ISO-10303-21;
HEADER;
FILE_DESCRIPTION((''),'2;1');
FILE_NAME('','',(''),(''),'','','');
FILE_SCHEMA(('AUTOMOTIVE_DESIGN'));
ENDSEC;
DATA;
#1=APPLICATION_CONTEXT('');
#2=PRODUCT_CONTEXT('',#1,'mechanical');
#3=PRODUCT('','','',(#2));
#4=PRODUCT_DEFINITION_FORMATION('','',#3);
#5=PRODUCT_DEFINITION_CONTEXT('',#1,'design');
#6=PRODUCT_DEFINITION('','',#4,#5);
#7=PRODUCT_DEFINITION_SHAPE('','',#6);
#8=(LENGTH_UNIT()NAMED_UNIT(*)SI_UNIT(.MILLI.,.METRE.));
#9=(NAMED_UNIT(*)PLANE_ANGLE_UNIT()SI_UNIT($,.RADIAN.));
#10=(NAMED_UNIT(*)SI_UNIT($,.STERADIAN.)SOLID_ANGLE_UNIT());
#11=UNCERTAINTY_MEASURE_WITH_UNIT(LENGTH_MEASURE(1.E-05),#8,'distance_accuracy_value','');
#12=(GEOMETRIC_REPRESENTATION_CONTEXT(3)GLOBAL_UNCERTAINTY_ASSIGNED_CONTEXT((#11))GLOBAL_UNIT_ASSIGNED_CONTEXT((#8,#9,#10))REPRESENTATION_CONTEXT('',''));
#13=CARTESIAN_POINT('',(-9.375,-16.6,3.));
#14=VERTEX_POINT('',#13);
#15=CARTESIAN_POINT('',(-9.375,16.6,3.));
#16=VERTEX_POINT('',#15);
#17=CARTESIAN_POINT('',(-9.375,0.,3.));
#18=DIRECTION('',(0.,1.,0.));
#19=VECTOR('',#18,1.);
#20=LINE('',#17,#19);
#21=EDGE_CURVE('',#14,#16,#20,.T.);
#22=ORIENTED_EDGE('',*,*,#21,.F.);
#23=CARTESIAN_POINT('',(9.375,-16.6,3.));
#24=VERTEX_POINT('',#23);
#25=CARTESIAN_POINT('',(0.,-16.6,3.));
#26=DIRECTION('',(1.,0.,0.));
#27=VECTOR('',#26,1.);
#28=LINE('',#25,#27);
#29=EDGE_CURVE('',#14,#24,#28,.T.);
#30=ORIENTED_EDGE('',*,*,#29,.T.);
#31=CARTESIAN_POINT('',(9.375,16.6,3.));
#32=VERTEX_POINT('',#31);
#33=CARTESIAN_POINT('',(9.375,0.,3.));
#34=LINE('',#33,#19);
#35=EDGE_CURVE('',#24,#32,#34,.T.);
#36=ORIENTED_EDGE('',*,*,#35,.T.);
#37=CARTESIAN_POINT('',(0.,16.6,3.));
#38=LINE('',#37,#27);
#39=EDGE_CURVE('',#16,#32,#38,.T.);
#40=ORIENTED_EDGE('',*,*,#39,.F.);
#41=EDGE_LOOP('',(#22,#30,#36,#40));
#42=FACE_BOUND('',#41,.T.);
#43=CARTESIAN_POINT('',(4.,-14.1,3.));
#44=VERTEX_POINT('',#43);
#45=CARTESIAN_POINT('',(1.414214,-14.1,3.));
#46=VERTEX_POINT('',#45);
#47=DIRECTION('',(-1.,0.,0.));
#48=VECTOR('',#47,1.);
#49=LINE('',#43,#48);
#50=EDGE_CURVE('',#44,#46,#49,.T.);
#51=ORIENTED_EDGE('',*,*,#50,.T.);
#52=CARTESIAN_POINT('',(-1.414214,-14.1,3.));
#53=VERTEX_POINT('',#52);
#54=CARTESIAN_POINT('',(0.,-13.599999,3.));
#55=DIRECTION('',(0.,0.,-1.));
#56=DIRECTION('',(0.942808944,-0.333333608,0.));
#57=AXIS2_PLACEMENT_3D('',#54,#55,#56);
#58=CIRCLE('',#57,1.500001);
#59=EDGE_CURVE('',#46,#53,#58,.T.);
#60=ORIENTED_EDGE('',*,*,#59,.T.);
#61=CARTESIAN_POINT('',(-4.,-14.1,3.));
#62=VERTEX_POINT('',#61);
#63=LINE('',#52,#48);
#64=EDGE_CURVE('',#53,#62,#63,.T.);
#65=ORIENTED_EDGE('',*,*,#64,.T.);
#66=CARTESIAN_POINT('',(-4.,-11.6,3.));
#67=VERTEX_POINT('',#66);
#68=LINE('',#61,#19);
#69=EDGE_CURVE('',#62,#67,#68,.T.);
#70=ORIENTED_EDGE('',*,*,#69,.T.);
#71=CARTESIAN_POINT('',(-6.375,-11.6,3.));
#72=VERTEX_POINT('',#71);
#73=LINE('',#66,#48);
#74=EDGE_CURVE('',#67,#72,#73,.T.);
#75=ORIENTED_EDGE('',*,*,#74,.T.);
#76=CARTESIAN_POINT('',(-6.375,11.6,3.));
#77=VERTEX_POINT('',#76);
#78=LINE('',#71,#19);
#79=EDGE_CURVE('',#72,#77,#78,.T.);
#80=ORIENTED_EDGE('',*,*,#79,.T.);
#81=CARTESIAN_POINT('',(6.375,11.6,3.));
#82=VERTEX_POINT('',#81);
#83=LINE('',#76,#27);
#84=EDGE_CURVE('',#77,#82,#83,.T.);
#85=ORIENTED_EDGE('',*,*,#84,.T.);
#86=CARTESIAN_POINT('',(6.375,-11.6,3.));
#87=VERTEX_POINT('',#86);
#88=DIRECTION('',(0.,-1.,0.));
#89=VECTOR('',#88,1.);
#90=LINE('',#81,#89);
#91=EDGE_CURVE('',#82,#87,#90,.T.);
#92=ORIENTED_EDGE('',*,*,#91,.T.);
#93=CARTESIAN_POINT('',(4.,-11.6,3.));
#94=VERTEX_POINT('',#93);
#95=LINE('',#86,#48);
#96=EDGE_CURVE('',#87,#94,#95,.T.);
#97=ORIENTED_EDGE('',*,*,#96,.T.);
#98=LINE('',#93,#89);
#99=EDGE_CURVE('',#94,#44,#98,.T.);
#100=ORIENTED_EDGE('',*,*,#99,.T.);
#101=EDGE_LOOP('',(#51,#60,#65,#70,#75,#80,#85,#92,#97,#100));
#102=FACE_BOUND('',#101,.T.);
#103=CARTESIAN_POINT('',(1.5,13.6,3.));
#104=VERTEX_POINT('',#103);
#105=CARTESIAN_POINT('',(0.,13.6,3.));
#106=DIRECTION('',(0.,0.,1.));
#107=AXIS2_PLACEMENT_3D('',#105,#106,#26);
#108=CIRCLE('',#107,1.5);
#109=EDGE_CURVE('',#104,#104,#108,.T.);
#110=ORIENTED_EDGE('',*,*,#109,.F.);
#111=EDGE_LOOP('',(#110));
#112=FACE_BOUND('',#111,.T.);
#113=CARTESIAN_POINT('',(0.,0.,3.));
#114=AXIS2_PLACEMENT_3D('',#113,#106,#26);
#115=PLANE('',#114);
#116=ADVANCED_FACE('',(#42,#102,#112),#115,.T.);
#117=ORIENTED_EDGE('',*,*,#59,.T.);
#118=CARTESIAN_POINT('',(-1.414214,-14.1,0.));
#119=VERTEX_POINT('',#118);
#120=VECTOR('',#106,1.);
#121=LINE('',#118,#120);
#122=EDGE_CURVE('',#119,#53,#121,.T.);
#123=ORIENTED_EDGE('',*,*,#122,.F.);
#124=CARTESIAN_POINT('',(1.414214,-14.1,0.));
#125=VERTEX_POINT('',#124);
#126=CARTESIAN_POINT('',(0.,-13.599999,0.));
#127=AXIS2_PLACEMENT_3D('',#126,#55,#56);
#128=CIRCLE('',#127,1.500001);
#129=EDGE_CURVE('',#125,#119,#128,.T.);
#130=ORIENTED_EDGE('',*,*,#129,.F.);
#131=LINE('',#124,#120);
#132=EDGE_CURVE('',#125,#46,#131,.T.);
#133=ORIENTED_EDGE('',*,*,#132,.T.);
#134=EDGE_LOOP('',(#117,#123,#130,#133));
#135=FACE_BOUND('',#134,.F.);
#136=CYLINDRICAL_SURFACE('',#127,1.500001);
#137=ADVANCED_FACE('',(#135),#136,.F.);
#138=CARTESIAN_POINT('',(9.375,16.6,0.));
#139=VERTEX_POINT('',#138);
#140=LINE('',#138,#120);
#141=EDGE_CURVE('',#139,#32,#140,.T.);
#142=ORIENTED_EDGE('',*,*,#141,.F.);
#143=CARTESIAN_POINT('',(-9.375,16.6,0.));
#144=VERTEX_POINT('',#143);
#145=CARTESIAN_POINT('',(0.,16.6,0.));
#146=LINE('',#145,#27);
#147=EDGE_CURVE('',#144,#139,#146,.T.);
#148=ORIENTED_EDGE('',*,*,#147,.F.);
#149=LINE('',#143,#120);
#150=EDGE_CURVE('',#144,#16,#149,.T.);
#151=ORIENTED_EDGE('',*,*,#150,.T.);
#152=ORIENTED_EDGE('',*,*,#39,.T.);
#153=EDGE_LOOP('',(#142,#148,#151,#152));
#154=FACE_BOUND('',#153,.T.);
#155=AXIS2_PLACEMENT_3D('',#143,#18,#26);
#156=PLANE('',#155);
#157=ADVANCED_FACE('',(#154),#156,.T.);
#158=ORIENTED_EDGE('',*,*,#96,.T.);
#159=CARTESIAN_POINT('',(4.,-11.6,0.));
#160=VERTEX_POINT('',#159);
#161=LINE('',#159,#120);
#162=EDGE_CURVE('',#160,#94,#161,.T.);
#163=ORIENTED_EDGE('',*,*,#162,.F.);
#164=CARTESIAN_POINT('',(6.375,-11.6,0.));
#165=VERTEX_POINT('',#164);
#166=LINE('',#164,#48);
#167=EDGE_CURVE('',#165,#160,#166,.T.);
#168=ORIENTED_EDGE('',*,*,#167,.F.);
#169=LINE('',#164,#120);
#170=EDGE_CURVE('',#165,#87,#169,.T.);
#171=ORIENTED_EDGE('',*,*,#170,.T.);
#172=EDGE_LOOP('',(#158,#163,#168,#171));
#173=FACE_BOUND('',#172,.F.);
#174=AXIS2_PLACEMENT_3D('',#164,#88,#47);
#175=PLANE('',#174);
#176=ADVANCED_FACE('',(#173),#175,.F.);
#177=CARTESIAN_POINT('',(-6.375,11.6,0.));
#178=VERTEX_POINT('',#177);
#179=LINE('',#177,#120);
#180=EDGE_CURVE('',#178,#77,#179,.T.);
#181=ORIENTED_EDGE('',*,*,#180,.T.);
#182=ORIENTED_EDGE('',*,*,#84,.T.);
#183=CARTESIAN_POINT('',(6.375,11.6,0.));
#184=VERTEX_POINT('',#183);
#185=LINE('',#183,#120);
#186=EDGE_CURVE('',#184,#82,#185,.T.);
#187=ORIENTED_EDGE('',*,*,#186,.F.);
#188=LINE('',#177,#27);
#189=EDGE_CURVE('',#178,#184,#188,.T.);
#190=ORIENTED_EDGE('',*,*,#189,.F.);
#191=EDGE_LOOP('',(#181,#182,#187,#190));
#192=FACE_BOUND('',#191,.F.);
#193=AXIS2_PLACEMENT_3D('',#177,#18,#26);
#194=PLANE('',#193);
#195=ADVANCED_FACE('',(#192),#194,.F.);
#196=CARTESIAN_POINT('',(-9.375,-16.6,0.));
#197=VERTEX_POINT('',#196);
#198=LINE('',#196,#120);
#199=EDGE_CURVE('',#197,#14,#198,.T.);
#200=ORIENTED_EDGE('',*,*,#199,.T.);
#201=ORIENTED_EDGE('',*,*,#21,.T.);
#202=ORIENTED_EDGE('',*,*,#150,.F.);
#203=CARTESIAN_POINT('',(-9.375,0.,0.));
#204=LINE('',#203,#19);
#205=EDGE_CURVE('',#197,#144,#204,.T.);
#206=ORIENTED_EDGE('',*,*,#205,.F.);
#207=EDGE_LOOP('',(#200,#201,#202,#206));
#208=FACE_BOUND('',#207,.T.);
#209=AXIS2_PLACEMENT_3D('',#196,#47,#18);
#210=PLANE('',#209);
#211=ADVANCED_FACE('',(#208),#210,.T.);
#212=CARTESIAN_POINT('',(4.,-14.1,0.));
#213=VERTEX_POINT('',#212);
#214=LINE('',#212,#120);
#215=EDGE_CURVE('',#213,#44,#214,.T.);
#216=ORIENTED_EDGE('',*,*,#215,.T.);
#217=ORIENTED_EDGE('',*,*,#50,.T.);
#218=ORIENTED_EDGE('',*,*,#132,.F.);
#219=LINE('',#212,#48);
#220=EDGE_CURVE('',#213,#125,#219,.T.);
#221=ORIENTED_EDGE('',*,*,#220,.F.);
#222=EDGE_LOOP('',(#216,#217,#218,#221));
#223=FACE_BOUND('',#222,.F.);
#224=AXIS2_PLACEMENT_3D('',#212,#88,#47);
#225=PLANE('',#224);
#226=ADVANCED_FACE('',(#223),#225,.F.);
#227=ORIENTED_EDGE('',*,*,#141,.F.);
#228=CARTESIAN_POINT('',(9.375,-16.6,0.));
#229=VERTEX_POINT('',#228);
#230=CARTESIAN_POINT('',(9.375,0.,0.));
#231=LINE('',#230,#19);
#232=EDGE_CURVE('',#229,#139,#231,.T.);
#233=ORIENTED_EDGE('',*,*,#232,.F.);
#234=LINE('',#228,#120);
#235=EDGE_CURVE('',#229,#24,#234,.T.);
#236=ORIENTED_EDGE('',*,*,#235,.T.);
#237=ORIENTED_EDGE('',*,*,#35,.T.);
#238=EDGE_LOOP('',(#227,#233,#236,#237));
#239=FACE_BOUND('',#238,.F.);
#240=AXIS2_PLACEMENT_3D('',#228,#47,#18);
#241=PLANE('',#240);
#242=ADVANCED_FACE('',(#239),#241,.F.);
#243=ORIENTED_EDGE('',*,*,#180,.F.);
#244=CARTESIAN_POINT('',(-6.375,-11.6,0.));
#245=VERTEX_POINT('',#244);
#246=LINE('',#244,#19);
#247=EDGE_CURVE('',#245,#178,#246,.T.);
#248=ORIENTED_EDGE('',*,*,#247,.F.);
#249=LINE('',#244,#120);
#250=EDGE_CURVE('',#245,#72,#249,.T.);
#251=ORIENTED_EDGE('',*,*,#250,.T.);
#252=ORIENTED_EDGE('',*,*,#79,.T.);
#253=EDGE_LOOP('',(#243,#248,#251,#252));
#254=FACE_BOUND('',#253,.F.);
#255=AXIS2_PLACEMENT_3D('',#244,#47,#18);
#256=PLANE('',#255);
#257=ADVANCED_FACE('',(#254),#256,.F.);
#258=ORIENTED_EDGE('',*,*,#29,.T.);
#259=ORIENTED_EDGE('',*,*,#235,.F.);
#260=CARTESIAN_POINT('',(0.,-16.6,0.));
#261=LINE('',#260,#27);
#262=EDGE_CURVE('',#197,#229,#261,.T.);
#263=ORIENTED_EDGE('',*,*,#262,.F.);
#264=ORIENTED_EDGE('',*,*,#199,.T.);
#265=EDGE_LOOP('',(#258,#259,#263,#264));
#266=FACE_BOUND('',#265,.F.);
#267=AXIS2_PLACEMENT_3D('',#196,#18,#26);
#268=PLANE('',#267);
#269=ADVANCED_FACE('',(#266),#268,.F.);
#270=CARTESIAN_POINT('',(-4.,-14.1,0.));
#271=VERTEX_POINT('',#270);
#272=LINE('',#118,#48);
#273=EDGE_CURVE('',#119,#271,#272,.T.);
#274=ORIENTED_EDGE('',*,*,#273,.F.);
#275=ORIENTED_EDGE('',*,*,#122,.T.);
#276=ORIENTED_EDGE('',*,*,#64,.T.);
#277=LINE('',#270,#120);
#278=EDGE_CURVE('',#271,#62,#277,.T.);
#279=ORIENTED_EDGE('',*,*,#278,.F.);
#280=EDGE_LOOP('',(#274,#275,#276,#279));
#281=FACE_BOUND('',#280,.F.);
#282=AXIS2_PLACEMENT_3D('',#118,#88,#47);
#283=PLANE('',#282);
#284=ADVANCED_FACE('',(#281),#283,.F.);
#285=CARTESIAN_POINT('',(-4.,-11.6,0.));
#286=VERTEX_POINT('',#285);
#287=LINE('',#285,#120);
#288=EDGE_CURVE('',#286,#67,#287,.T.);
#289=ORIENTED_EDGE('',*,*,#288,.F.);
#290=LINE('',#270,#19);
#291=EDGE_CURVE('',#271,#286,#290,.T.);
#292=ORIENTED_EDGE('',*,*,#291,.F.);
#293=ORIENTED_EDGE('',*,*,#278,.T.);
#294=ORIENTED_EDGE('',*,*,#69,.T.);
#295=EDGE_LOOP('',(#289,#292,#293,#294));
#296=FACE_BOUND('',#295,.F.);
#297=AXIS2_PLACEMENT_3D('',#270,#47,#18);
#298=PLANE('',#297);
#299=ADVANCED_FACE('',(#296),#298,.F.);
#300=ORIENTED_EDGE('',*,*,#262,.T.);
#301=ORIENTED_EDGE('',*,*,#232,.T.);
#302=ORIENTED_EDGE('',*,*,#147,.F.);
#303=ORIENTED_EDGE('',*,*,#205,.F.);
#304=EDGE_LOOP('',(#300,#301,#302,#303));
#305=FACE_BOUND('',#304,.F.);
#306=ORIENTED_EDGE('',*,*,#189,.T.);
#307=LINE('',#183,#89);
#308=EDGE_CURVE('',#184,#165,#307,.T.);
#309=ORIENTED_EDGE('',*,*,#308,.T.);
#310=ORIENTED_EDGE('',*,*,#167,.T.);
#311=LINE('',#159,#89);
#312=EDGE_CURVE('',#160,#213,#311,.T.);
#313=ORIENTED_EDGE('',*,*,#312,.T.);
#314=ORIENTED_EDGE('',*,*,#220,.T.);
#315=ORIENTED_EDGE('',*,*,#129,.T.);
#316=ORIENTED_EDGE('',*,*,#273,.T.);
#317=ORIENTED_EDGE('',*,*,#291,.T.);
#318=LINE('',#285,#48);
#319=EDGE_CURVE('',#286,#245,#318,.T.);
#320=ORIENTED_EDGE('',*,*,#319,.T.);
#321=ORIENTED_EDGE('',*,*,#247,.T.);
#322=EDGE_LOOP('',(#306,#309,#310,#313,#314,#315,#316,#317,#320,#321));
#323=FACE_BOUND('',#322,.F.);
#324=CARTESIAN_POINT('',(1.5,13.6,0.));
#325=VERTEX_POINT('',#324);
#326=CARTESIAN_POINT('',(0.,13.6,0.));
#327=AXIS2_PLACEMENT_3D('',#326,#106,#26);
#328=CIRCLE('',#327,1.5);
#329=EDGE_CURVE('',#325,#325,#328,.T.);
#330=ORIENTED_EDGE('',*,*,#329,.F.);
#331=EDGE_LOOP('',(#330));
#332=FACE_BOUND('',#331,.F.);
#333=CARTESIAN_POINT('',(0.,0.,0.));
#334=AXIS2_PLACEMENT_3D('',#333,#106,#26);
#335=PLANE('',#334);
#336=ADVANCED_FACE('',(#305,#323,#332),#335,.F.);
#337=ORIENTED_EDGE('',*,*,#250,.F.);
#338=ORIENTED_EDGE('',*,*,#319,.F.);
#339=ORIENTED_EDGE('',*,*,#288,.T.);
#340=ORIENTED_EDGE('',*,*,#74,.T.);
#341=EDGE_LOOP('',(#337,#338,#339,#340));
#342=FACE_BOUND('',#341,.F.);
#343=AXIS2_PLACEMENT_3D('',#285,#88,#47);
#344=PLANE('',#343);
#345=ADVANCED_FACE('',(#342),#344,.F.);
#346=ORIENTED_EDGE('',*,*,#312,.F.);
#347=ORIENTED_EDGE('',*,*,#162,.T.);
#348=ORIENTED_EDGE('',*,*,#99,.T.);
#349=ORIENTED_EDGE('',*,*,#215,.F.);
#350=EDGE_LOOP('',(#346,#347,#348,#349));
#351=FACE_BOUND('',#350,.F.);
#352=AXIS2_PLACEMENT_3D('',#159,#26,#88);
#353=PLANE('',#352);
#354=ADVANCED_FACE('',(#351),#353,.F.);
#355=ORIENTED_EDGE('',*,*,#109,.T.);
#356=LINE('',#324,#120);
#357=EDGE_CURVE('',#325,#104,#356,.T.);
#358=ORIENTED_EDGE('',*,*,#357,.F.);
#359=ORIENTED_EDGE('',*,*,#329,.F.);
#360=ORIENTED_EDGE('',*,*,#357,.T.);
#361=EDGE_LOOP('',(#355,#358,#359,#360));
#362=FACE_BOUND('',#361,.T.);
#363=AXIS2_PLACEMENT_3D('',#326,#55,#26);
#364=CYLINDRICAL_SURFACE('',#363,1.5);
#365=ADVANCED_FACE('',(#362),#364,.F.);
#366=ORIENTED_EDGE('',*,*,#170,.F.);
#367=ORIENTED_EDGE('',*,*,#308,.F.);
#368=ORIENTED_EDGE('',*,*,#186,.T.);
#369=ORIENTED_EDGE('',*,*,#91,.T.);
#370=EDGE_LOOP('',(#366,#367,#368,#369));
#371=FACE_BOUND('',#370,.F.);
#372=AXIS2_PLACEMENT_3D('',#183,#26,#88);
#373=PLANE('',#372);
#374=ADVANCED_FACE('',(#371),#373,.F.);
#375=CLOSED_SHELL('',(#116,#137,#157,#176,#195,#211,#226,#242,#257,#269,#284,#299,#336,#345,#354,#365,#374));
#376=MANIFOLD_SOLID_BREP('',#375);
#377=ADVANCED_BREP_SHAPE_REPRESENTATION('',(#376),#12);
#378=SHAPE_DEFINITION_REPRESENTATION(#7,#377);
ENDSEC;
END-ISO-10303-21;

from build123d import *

# Parameters (mm, degrees)
F0_W     = 18.75
F0_H     = 33.2
F0_R     = 1.5
F1_DEPTH = 3


with BuildPart() as f1:
    # F0 (on Top) → F1 (new body)
    with BuildSketch(Plane.XY):
        Rectangle(F0_W, F0_H)
        with BuildLine():
            Line((-6.375, -11.6), (-6.375, 11.6))
            Line((-6.375, 11.6), (6.375, 11.6))
            Line((6.375, 11.6), (6.375, -11.6))
            Line((6.375, -11.6), (4, -11.6))
            Line((4, -11.6), (4, -14.1))
            Line((4, -14.1), (1.414214, -14.1))
            ThreePointArc((1.414214, -14.1), (0, -15.1), (-1.414214, -14.1))
            Line((-1.414214, -14.1), (-4, -14.1))
            Line((-4, -14.1), (-4, -11.6))
            Line((-4, -11.6), (-6.375, -11.6))
        make_face(mode=Mode.SUBTRACT)
        with Locations((0, 13.6)):
            Circle(F0_R, mode=Mode.SUBTRACT)
    extrude(amount=F1_DEPTH)


solid = f1.part
